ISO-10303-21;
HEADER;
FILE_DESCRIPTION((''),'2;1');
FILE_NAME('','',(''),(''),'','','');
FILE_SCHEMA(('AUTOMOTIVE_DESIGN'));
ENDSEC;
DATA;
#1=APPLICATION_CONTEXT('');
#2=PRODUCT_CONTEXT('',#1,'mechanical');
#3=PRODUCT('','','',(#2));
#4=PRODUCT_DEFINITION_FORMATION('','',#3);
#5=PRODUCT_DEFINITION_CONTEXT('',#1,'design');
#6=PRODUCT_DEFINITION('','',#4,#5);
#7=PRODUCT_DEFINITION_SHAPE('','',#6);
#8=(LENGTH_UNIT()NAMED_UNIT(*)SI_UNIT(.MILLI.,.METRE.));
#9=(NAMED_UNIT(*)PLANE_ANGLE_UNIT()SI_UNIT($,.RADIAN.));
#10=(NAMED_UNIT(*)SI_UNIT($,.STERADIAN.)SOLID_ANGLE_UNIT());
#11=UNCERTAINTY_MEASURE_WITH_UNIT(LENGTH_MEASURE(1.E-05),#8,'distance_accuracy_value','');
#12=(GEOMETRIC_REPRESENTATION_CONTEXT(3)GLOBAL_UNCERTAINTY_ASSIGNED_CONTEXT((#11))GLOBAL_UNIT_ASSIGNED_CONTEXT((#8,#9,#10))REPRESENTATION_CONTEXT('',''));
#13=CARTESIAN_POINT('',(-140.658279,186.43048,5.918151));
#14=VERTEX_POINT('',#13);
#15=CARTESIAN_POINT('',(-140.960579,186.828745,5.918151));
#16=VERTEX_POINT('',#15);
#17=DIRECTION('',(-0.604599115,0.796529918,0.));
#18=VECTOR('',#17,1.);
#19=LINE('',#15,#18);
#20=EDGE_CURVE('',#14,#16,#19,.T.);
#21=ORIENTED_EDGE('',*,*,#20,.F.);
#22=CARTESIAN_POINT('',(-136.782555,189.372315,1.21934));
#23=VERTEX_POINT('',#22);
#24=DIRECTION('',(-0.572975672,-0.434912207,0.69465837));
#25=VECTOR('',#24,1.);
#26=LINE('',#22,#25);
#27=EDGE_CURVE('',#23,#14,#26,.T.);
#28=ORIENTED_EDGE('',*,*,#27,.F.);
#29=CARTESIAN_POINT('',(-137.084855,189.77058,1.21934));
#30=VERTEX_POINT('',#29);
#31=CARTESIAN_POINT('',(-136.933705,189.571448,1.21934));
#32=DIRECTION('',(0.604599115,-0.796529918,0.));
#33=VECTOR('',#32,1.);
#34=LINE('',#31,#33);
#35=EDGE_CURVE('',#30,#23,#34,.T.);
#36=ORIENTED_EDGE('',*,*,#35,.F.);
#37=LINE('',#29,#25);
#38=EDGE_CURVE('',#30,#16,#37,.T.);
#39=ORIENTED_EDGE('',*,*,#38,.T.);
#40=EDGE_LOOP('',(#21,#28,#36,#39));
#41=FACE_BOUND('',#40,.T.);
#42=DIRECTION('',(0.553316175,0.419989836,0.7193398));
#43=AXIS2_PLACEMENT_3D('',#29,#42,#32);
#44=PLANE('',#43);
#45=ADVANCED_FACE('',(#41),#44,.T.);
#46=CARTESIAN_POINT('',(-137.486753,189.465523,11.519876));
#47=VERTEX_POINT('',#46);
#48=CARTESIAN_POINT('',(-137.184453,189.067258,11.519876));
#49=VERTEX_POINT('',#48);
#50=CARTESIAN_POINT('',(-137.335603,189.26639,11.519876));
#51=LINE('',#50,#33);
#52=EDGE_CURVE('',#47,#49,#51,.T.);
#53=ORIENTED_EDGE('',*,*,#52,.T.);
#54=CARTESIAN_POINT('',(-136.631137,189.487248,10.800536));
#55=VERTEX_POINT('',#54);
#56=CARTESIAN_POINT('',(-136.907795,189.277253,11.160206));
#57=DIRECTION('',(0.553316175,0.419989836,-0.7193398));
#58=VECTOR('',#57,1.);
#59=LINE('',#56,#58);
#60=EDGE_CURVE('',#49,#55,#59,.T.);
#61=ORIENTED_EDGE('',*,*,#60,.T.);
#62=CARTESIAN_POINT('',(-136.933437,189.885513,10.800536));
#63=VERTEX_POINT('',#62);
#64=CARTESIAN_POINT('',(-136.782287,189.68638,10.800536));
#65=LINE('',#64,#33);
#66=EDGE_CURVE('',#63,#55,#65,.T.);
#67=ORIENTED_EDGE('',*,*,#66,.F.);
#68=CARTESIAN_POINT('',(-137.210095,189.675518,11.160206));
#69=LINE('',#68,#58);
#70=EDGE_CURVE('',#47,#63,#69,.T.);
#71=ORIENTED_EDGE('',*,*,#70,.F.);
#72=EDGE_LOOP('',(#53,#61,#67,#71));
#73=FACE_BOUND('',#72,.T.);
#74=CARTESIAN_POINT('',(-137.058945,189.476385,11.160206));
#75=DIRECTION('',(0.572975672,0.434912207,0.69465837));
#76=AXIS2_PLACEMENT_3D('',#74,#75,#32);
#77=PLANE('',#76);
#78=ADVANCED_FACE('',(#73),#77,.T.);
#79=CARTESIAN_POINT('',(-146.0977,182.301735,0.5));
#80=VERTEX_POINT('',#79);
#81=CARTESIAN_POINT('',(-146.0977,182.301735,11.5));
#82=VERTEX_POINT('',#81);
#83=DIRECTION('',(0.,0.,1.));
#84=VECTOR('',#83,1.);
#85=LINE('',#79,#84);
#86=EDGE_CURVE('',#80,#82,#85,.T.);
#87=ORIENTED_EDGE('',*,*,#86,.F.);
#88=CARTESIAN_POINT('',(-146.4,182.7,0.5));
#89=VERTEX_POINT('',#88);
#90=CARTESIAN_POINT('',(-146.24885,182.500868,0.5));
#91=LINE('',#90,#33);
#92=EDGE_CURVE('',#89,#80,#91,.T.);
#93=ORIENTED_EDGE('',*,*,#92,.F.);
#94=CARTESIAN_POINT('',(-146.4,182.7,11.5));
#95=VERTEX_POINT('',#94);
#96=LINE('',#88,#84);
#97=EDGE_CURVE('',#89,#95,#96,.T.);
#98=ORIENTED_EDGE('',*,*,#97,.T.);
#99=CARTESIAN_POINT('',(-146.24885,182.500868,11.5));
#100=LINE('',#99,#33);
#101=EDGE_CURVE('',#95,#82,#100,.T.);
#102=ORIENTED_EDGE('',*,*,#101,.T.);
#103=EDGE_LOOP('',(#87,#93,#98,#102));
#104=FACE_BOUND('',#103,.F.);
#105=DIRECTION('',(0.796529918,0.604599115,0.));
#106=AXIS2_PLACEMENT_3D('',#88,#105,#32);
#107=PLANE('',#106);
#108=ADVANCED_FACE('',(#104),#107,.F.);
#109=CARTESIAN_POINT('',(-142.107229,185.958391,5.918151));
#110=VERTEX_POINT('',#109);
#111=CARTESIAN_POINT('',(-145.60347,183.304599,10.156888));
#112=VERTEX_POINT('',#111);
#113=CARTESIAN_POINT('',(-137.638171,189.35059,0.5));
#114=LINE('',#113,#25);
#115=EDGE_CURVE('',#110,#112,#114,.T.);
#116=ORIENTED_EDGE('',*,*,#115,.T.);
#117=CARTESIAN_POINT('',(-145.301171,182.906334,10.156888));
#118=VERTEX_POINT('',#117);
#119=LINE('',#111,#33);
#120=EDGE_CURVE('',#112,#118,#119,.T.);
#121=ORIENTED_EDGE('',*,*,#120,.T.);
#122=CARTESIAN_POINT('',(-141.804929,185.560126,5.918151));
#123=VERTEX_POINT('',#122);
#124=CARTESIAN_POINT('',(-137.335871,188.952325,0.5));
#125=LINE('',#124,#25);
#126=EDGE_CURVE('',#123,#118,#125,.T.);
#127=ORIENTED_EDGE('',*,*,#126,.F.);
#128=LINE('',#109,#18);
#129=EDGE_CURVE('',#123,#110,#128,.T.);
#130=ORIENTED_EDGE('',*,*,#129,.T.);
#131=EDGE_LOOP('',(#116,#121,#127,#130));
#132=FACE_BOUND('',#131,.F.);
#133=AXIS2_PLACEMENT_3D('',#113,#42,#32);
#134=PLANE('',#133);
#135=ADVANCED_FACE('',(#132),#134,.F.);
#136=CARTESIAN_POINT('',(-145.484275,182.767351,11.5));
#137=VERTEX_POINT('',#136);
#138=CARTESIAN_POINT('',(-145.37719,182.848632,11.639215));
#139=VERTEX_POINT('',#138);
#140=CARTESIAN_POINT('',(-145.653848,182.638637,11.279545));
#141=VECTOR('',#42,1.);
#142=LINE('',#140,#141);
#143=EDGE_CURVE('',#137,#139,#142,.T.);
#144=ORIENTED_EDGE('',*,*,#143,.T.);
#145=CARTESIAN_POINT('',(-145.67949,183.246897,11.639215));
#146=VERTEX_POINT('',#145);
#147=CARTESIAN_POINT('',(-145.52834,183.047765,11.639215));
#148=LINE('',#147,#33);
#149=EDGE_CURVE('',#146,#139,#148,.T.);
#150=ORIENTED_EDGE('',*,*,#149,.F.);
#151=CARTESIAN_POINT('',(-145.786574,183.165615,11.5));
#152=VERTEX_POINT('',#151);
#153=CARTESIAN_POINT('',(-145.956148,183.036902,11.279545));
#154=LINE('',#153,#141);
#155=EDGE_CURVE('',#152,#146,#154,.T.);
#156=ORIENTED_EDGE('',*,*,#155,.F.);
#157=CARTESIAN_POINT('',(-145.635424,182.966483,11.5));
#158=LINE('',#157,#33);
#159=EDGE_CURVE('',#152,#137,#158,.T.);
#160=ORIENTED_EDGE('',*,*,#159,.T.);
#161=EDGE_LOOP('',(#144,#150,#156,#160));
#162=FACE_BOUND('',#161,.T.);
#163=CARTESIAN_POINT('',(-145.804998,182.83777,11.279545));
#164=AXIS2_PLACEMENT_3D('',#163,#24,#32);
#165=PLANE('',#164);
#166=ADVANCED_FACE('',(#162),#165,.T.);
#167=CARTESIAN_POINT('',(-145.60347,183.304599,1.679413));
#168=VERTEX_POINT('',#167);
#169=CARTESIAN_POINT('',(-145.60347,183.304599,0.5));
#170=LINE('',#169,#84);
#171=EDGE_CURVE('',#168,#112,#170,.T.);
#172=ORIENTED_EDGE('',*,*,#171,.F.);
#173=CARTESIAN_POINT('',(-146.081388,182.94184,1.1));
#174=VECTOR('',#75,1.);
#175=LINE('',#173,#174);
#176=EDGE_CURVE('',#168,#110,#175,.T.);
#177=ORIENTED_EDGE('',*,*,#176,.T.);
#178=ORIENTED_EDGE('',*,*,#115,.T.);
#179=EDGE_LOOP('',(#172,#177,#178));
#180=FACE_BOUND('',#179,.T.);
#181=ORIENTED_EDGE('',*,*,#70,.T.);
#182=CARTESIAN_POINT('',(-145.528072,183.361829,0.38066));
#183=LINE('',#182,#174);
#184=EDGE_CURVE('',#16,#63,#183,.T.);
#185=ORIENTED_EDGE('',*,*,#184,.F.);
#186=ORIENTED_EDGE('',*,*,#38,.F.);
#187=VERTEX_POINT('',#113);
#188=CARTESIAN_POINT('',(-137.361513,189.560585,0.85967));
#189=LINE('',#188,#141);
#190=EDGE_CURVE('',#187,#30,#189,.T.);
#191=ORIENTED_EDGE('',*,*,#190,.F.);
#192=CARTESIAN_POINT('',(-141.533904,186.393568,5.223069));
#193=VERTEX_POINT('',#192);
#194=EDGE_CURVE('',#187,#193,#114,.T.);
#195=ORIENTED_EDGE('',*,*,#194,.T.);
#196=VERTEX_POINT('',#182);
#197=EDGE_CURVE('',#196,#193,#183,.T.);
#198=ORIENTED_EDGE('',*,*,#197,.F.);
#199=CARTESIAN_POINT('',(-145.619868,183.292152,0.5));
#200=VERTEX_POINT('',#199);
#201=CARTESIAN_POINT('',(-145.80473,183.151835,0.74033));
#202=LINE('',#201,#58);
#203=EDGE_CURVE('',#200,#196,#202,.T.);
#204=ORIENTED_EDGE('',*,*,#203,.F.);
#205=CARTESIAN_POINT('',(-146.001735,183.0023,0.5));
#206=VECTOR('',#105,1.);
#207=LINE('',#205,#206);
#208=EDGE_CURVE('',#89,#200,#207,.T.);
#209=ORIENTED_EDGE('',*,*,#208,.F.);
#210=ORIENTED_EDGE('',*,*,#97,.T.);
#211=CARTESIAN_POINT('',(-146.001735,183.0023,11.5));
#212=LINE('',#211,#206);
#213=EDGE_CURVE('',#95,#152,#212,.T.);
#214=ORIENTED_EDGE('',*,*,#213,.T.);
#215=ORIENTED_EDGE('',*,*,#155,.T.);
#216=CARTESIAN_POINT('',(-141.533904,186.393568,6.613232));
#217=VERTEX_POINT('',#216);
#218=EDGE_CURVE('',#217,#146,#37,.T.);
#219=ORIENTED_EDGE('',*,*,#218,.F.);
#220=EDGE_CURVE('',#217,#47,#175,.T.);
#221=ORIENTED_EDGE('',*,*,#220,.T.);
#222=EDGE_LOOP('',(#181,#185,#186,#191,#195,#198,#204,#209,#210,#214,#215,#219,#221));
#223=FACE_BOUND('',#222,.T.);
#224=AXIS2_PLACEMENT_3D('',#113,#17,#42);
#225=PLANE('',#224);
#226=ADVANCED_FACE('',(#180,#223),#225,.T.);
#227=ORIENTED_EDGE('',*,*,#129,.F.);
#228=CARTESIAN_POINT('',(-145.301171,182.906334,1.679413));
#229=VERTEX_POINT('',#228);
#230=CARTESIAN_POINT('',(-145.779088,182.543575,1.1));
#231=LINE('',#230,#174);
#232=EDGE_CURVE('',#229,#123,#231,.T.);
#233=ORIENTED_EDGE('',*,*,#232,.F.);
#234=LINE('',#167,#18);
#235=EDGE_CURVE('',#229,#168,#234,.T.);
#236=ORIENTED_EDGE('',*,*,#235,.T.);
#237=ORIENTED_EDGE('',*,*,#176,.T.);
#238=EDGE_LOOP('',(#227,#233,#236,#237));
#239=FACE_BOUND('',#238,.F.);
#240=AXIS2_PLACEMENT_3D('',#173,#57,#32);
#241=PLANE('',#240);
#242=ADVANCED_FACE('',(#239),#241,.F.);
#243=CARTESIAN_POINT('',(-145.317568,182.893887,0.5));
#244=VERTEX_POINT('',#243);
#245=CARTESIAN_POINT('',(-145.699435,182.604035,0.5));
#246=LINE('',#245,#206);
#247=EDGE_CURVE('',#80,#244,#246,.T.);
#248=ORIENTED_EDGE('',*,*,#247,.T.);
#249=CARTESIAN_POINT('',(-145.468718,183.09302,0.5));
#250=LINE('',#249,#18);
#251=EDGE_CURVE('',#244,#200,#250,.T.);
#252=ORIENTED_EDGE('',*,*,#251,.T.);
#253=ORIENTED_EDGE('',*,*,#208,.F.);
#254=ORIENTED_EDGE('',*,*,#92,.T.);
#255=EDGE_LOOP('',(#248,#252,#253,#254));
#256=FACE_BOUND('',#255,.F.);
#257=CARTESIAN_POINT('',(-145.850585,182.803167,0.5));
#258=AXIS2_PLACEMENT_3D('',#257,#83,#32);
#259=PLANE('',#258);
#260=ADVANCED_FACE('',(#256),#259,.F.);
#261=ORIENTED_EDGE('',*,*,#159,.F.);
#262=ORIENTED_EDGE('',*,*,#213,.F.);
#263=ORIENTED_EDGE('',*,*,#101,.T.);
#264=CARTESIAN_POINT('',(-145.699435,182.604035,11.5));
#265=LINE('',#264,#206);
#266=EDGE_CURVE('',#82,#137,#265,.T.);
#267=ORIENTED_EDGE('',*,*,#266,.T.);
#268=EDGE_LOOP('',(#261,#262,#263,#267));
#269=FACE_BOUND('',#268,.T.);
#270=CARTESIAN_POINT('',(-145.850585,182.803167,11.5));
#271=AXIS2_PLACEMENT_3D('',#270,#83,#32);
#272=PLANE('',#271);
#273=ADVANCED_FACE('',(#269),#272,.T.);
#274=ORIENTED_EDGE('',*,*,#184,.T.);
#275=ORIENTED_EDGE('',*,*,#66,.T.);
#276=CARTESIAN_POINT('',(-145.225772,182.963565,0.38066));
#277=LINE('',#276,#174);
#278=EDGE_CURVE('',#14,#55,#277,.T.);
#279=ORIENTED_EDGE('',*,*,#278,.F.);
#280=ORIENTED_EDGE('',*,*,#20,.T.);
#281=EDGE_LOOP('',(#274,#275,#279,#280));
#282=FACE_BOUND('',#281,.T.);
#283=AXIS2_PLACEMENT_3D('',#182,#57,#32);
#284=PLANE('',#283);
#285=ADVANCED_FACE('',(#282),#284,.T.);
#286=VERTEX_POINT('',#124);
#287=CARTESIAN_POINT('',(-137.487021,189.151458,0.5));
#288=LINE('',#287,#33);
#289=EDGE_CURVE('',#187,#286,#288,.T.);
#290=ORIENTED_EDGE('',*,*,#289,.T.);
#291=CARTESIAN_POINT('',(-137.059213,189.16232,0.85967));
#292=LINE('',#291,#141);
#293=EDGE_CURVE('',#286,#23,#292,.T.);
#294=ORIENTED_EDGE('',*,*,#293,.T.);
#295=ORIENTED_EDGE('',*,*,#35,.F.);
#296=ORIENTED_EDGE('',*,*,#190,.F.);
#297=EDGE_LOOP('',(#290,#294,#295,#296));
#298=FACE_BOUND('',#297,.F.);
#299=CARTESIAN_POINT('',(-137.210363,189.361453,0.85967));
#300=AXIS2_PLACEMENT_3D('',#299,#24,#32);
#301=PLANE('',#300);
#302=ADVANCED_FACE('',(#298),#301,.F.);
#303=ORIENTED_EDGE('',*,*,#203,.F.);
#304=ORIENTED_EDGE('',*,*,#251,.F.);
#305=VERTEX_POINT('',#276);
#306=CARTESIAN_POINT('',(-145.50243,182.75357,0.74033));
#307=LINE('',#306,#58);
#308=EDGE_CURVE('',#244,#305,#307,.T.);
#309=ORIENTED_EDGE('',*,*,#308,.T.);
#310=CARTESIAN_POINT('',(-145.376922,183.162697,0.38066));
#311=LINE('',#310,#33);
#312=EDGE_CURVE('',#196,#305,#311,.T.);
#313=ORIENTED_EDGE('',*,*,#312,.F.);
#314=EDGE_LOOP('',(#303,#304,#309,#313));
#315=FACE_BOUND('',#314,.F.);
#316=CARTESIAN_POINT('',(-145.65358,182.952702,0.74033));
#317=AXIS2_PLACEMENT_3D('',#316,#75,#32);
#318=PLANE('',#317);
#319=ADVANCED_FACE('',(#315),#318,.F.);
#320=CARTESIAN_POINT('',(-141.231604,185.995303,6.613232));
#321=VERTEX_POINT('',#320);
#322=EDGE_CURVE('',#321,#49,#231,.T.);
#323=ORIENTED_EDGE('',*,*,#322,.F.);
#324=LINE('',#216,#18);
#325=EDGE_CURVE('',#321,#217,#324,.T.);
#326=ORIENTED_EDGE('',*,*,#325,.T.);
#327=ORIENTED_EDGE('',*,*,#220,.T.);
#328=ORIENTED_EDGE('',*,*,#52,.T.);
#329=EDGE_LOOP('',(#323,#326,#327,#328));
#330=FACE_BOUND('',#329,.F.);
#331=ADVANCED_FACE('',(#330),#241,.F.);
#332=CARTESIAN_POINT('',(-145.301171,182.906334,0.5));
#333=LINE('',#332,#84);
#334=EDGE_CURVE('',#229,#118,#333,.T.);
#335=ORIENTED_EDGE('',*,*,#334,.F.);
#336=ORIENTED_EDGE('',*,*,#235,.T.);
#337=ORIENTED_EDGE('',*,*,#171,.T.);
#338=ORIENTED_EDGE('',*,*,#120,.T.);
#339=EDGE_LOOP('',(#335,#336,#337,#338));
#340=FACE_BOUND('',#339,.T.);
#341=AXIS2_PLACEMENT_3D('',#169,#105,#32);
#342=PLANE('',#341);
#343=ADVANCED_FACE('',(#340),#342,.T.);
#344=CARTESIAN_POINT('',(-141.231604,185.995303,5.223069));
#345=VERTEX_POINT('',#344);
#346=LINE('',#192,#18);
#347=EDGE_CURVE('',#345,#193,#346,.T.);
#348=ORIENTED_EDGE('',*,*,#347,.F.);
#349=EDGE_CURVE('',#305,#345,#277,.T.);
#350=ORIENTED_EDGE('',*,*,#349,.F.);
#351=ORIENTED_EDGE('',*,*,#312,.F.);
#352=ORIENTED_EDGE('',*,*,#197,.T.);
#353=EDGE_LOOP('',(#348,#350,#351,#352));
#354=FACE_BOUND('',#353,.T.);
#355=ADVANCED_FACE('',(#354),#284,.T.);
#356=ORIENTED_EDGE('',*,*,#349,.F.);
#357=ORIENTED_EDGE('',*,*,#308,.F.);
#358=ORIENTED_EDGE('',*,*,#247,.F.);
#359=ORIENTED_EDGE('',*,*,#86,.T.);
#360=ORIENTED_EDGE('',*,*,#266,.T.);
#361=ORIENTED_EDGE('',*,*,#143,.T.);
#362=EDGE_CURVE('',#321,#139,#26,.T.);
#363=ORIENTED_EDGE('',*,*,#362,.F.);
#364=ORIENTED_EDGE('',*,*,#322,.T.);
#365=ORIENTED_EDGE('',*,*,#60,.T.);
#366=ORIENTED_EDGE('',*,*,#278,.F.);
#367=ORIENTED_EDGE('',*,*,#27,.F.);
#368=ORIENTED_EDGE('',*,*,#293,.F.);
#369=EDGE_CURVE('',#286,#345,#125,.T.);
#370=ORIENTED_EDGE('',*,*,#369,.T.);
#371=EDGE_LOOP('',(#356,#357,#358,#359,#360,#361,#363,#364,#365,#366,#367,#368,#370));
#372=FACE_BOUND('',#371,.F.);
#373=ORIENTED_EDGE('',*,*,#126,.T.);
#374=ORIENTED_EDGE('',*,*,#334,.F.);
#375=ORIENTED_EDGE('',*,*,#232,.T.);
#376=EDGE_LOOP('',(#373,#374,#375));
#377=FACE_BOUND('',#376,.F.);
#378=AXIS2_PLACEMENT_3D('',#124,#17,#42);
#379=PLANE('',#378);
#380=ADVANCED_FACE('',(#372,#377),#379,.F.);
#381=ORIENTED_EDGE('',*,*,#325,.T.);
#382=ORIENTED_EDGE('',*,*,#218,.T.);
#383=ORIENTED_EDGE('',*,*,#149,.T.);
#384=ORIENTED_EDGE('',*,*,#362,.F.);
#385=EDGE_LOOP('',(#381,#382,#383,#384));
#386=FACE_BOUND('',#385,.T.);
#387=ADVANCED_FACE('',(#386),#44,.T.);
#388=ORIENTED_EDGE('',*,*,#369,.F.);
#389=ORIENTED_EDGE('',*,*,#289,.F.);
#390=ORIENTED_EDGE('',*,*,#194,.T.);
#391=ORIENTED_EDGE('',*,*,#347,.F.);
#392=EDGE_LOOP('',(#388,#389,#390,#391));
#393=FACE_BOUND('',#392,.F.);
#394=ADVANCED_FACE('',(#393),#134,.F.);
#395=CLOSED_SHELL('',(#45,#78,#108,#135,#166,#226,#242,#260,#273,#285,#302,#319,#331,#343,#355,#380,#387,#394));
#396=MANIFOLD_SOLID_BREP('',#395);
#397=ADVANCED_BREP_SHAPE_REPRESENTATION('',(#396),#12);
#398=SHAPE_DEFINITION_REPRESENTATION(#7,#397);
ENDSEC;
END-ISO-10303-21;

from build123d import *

# Parameters (mm, degrees)
BOX250_W                  = 0.5
BOX250_H                  = 1
BOX250_DEPTH              = 15
BOX250_ROLL_ANGLE         = 46
BOX251_W                  = 0.5
BOX251_H                  = 1
BOX251_DEPTH              = 15
BOX251_ROLL_ANGLE         = -46
BOX249_W                  = 0.5
BOX249_H                  = 1
BOX249_DEPTH              = 11
FUSION026_PLACEMENT_ANGLE = -52.8


with BuildPart() as cubo250:
    # Box250 → Box250 (new body)
    with BuildSketch(Plane.XY):
        with Locations((0.25, 0.5)):
            Rectangle(BOX250_W, BOX250_H)
    extrude(amount=BOX250_DEPTH)


with BuildPart() as cubo250_1:
    # Box250 roll: moved
    add(cubo250.part.rotate(Axis((0, 0, 0), (1, 0, 0)), BOX250_ROLL_ANGLE))


with BuildPart() as cubo250_2:
    # Box250 placement: moved
    add(cubo250_1.part.moved(Location((0, 11, 0.5))))


with BuildPart() as cubo251:
    # Box251 → Box251 (new body)
    with BuildSketch(Plane.XY):
        with Locations((0.25, 0.5)):
            Rectangle(BOX251_W, BOX251_H)
    extrude(amount=BOX251_DEPTH)


with BuildPart() as cubo251_1:
    # Box251 roll: moved
    add(cubo251.part.rotate(Axis((0, 0, 0), (1, 0, 0)), BOX251_ROLL_ANGLE))


with BuildPart() as cubo251_2:
    # Box251 placement: moved
    add(cubo251_1.part.moved(Location((0, 0.4, 1.1))))


with BuildPart() as fusion026:
    # Box249 → Box249 (new body)
    with BuildSketch(Plane.XY.offset(0.5)):
        with Locations((0.25, 0.5)):
            Rectangle(BOX249_W, BOX249_H)
    extrude(amount=BOX249_DEPTH)

    # Fusion026: union Cubo250, Cubo251
    add(cubo250_2.part)
    add(cubo251_2.part)


with BuildPart() as fusion026_1:
    # Fusion026 placement: moved
    add(fusion026.part.moved(Location((-146.4, 182.7, 0))).rotate(Axis((-146.4, 182.7, 0), (0, 0, 1)), FUSION026_PLACEMENT_ANGLE))


solid = fusion026_1.part
